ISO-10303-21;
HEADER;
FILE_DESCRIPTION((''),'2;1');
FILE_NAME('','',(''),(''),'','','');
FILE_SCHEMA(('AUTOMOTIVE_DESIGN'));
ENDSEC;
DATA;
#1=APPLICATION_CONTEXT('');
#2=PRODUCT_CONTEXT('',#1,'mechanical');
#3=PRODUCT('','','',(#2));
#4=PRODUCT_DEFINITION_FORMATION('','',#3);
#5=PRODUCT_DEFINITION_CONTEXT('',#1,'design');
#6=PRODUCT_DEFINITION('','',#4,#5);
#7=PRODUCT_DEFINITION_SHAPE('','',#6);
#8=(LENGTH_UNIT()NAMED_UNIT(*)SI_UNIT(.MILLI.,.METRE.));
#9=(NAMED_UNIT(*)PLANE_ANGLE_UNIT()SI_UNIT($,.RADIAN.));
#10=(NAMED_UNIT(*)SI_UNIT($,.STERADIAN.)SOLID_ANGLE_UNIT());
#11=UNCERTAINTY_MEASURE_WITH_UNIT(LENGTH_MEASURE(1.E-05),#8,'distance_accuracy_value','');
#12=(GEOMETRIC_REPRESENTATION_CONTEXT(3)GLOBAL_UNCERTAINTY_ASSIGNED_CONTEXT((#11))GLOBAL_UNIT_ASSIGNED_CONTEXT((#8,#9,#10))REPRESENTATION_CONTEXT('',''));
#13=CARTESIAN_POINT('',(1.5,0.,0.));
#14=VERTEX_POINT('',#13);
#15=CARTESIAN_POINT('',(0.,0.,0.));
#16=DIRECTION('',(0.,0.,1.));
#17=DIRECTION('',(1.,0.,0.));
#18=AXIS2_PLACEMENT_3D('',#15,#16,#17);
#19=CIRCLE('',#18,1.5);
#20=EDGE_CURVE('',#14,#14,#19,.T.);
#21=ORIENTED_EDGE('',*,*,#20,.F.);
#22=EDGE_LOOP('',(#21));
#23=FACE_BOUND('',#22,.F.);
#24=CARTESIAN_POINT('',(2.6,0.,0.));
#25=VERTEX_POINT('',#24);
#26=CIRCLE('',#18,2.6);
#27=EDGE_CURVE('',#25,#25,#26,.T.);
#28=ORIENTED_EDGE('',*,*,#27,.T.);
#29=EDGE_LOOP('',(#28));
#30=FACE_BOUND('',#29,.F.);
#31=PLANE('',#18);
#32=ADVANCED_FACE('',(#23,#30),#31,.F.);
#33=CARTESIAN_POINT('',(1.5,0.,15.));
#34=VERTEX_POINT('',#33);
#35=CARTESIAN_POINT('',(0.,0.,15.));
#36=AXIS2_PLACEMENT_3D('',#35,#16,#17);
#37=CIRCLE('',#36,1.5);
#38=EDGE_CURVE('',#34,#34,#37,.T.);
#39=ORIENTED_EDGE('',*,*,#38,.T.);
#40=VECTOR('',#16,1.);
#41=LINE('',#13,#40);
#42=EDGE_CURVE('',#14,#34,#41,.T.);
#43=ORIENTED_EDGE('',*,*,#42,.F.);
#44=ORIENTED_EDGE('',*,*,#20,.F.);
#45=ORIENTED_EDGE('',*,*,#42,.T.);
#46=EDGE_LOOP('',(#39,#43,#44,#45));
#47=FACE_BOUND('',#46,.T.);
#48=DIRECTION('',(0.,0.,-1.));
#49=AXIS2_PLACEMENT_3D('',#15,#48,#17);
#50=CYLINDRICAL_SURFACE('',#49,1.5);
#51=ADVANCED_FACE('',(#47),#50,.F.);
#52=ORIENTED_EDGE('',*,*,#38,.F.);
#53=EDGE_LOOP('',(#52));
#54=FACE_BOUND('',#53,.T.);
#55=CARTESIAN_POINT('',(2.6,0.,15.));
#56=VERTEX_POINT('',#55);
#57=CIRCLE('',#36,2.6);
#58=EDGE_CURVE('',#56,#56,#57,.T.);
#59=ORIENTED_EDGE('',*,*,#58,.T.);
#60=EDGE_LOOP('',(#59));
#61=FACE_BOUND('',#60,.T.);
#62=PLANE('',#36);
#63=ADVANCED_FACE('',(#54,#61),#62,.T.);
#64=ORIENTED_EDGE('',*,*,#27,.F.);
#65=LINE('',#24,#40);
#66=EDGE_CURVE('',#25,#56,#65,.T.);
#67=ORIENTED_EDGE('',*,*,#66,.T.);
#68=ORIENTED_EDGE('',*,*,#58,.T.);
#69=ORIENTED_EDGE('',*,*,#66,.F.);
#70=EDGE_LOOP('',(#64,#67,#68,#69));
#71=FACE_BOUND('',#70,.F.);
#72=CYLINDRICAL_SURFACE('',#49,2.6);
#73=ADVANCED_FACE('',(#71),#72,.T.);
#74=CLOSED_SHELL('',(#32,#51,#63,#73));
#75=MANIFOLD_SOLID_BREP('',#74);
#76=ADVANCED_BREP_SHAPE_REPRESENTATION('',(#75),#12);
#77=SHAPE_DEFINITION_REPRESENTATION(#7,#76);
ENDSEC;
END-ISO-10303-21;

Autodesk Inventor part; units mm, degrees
ref_plane "YZ Plane" through (0, 0, 0) normal (1, 0, 0) x (0, 1, 0)
ref_plane "XZ Plane" through (0, 0, 0) normal (0, 1, 0) x (-1, 0, 0)
ref_plane "XY Plane" through (0, 0, 0) normal (0, 0, 1) x (1, 0, 0)
sketch "草图1" plane through (0, 0, 0) normal (0, 0, 1) x (1, 0, 0)
  circle A0 centre (0, 0) radius 2.6
  circle A1 centre (0, 0) radius 1.5
  dimension "d0" = 5.2
  dimension "d1" = 3
extrude "拉伸1" add sketch "草图1" along normal blind 15
properties part number "轴套"
